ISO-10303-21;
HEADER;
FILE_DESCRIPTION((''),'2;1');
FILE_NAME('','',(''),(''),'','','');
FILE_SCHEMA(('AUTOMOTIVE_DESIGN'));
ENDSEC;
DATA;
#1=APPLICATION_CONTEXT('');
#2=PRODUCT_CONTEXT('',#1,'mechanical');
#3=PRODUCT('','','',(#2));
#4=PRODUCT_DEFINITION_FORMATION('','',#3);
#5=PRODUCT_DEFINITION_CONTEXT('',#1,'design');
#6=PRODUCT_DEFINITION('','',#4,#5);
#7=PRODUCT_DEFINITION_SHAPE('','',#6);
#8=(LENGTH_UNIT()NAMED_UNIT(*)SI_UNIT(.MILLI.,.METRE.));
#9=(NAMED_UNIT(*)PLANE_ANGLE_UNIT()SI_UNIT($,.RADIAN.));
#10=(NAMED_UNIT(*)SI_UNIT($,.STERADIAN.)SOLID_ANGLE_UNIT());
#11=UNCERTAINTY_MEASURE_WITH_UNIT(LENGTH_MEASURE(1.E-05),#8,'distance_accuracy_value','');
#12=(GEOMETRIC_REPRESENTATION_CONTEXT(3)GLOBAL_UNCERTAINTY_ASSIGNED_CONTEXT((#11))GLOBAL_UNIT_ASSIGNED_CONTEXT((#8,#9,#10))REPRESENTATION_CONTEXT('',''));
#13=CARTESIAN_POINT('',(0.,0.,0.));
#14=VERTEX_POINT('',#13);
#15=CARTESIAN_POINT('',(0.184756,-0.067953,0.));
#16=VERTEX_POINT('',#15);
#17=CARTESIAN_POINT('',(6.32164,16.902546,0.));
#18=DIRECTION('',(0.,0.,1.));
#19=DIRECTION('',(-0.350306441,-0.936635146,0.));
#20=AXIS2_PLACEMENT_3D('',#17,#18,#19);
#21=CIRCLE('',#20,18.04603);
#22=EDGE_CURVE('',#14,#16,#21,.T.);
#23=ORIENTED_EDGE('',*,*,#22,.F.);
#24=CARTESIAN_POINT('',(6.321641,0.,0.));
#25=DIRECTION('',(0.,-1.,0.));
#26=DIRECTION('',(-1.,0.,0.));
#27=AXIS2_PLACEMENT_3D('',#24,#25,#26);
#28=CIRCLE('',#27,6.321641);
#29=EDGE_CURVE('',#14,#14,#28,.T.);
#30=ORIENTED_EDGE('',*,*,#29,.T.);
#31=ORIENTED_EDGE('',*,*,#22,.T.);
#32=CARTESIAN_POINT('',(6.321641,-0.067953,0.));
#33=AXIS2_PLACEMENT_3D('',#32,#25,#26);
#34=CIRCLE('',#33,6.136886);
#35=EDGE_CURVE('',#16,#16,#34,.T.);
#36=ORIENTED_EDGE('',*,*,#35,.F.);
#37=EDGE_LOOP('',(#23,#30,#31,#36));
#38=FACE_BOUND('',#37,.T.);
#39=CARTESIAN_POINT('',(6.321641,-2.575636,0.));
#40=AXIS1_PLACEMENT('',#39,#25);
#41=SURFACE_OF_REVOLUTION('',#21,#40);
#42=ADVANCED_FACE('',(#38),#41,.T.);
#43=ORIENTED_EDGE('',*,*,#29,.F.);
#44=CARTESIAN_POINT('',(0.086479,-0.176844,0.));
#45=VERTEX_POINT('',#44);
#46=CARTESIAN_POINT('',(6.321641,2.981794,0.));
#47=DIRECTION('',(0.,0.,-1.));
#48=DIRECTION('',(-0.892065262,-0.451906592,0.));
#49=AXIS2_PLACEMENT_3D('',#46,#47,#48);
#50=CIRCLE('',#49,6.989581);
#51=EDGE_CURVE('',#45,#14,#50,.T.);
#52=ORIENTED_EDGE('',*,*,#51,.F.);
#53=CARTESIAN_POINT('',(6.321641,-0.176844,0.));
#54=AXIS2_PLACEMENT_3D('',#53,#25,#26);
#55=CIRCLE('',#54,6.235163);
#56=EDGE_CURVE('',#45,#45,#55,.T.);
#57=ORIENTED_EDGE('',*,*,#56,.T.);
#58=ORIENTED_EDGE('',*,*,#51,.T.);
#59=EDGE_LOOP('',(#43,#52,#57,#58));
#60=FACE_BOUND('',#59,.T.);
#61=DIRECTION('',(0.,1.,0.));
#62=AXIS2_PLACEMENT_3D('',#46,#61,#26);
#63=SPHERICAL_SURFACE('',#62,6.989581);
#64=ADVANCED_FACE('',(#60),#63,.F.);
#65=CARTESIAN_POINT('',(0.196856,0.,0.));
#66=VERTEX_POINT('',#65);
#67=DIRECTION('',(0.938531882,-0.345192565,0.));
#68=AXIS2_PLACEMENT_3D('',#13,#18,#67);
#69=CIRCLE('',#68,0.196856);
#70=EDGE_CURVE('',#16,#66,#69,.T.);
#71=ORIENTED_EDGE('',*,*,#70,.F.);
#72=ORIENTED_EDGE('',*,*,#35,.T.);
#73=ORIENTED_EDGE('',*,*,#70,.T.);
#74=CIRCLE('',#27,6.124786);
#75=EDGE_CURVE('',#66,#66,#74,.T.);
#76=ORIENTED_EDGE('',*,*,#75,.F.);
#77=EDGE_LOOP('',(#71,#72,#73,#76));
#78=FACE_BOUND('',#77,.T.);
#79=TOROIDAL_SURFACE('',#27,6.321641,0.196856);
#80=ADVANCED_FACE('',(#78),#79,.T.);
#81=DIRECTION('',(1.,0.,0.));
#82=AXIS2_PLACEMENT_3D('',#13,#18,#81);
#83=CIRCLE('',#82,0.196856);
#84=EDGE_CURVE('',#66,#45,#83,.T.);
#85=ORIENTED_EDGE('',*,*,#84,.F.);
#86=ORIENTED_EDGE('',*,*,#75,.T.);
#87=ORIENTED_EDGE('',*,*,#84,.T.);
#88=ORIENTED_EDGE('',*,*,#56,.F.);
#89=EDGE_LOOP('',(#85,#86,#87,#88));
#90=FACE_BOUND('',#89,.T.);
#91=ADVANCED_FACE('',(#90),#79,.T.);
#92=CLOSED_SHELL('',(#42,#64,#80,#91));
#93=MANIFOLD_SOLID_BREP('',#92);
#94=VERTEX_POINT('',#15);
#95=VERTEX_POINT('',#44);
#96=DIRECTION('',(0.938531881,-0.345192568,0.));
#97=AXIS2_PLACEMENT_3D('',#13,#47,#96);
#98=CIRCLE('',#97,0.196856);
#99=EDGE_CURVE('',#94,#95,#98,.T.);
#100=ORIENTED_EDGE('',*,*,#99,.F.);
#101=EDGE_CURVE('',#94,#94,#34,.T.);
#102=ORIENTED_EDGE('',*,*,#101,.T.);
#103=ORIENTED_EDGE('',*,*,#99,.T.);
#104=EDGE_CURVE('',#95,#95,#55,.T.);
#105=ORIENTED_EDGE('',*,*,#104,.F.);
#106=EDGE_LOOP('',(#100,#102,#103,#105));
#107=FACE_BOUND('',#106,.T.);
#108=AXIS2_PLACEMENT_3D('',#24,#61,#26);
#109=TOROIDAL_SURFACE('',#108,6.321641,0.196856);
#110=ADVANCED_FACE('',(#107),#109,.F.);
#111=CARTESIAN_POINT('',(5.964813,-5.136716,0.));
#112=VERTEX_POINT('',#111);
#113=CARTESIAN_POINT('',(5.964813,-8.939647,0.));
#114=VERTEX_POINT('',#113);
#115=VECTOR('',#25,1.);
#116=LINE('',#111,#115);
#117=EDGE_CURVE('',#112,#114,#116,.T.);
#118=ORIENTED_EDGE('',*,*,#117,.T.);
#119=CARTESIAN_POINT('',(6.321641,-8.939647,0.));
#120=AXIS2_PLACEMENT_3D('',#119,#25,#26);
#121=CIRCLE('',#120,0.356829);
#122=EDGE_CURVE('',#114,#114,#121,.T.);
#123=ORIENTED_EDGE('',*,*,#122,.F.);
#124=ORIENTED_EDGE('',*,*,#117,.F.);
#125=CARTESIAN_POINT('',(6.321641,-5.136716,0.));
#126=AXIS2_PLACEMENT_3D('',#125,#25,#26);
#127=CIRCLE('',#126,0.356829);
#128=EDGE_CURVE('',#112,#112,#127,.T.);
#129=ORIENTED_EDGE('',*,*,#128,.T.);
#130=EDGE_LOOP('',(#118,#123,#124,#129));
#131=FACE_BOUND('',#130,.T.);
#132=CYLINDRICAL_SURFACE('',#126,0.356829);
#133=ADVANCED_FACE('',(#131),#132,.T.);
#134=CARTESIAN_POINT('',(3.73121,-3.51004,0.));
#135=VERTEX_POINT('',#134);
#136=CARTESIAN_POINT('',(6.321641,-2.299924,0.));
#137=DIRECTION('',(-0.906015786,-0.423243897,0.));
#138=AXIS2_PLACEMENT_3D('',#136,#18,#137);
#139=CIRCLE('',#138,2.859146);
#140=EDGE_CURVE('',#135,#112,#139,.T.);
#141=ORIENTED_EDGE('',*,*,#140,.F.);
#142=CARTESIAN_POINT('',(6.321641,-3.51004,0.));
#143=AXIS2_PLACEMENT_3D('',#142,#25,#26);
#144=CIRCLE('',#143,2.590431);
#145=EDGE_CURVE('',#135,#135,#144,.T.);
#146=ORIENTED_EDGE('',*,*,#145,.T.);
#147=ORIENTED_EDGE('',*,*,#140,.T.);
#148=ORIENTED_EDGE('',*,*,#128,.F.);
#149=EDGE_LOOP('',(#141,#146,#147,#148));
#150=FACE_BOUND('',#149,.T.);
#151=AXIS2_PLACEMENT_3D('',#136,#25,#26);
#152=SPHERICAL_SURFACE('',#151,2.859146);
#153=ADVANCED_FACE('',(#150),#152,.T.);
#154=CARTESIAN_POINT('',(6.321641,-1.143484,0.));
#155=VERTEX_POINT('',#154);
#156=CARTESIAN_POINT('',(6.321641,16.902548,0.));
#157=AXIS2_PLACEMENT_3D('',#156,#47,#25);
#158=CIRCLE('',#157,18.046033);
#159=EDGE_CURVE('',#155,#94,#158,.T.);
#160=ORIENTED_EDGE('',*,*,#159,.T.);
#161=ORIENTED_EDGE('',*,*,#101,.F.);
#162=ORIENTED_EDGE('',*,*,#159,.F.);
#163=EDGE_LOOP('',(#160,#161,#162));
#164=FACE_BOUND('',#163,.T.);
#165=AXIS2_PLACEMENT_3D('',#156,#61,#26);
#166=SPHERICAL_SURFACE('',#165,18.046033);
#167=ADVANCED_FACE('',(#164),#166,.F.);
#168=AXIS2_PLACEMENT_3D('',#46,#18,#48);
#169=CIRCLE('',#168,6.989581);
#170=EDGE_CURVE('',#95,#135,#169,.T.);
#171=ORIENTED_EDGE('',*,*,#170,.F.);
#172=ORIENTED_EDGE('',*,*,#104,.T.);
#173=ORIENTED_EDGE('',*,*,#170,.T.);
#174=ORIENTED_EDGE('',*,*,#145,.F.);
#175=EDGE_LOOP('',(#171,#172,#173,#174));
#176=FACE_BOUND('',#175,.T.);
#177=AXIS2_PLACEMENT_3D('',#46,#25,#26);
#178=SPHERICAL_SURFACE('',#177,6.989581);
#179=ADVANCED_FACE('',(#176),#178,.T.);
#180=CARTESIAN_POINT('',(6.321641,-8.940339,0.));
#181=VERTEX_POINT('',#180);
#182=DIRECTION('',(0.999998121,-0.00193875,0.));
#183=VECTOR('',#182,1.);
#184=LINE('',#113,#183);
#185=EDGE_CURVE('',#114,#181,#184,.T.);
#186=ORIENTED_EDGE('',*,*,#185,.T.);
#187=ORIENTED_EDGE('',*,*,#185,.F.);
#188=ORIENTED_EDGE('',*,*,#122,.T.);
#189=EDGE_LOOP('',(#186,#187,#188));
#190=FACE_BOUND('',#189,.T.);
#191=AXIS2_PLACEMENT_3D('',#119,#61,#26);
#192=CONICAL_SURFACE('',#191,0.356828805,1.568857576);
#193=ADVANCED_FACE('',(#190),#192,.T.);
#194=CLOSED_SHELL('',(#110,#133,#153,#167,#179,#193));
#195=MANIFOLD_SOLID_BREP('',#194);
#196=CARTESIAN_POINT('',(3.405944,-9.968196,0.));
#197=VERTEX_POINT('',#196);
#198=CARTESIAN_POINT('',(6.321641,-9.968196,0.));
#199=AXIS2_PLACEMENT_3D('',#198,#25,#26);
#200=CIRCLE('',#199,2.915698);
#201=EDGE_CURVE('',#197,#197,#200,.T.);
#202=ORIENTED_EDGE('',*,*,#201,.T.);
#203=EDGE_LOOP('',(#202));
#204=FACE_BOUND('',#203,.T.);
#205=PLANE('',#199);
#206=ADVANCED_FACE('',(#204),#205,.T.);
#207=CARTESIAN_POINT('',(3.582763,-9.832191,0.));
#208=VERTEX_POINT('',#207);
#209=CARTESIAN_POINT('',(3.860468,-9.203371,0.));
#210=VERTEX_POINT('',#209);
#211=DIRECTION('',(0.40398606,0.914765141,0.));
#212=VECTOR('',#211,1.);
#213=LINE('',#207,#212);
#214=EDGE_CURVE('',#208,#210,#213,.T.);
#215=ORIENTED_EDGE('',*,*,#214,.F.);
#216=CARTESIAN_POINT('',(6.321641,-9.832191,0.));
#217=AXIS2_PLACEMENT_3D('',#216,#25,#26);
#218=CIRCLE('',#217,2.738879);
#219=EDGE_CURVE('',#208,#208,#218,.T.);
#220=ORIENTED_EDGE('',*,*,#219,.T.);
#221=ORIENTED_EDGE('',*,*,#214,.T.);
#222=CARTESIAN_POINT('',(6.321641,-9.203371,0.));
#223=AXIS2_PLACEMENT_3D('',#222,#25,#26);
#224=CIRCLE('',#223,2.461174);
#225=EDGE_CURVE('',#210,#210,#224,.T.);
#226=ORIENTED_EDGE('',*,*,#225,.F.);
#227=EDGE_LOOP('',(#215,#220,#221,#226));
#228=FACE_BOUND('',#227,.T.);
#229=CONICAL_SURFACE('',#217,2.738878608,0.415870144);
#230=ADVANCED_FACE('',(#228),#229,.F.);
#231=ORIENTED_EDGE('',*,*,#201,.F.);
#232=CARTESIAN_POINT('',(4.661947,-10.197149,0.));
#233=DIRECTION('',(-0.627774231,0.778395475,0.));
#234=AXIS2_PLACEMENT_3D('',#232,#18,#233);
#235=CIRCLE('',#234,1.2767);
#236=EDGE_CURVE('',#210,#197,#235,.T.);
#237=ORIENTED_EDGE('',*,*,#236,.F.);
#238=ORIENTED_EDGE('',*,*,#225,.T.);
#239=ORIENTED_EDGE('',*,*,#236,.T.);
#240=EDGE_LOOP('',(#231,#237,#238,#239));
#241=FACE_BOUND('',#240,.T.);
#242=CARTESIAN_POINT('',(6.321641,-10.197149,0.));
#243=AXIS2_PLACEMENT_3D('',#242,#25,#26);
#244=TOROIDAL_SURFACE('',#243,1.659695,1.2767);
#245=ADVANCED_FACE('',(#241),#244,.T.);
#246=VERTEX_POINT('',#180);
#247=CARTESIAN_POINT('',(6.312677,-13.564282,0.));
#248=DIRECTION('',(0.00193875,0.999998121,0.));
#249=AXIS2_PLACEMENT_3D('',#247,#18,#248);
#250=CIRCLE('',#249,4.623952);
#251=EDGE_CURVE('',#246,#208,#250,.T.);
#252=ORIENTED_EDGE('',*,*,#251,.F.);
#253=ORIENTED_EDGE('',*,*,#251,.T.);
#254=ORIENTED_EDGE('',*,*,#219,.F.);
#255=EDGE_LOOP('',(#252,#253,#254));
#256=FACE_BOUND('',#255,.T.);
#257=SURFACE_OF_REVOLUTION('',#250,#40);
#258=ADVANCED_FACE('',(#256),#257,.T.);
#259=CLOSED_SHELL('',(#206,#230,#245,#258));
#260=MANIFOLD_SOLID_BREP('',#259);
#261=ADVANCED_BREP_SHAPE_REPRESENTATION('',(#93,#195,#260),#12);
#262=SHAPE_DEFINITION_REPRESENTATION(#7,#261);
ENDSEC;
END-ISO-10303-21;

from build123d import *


with BuildPart() as f1:
    # F0 (on Top) → F1 (revolve)
    with BuildSketch(Plane.XY):
        with BuildLine():
            ThreePointArc((6.3216414859, -1.1434842183), (3.2064314046, -0.8725678996), (0.1847555931, -0.0679532135))
            ThreePointArc((0.1847555931, -0.0679532135), (0.1461379543, -0.1318937705), (0.0864787498, -0.1768437))
            ThreePointArc((0.0864787498, -0.1768437), (1.6046163355, -2.1761047411), (3.731210433, -3.510040266))
            ThreePointArc((3.731210433, -3.510040266), (5.00273237, -3.8822225922), (6.3216414859, -4.0077871738))
            Line((6.3216414859, -4.0077871738), (6.3216414859, -1.1434842183))
        make_face()
        with BuildLine():
            ThreePointArc((6.3216414859, -4.0077871738), (5.00273237, -3.8822225922), (3.731210433, -3.510040266))
            ThreePointArc((3.731210433, -3.510040266), (4.6384588947, -4.6111166634), (5.9648126806, -5.1367159773))
            ThreePointArc((5.9648126806, -5.1367159773), (6.1428773283, -5.1534759806), (6.3216414859, -5.1590699448))
            Line((6.3216414859, -5.1590699448), (6.3216414859, -4.0077871738))
        make_face()
        with BuildLine():
            ThreePointArc((6.3216414859, -5.1590699448), (6.1428773283, -5.1534759806), (5.9648126806, -5.1367159773))
            Line((5.9648126806, -5.1367159773), (5.9648126806, -8.9396471315))
            Line((5.9648126806, -8.9396471315), (6.3216414859, -8.9403389346))
            Line((6.3216414859, -8.9403389346), (6.3216414859, -5.1590699448))
        make_face()
    revolve(axis=Axis((6.3216414859, -2.5756356961, 0), (0, -1, 0)))


with BuildPart() as f1b:
    # F0 (on Top) → F1, piece 2 (revolve)
    with BuildSketch(Plane.XY):
        with BuildLine():
            ThreePointArc((0.0864787498, -0.1768437), (0.0426167614, -0.0887263157), (0, 0))
            ThreePointArc((0, 0), (0.092285137, -0.0342285355), (0.1847555931, -0.0679532135))
            ThreePointArc((0.1847555931, -0.0679532135), (0.1938072596, -0.0345110782), (0.1968559585, 0))
            ThreePointArc((0.1968559585, 0), (-0.1669971939, 0.1042315001), (0.0864787498, -0.1768437))
        make_face()
    revolve(axis=Axis((6.3216414859, -2.5756356961, 0), (0, -1, 0)))


with BuildPart() as f1c:
    # F0 (on Top) → F1, piece 3 (revolve)
    with BuildSketch(Plane.XY):
        with BuildLine():
            Line((6.3216414859, -9.9681960419), (6.3216414859, -8.9403389346))
            ThreePointArc((6.3216414859, -8.9403389346), (4.8809849989, -9.1675572599), (3.5827628778, -9.8321914491))
            ThreePointArc((3.5827628778, -9.8321914491), (3.4935331463, -9.899127301), (3.4059439786, -9.9681960419))
            Line((3.4059439786, -9.9681960419), (6.3216414859, -9.9681960419))
        make_face()
        with BuildLine():
            ThreePointArc((3.4059439786, -9.9681960419), (3.4935331463, -9.899127301), (3.5827628778, -9.8321914491))
            Line((3.5827628778, -9.8321914491), (3.8604675792, -9.2033712859))
            ThreePointArc((3.8604675792, -9.2033712859), (3.5644280946, -9.5449101429), (3.4059439786, -9.9681960419))
        make_face()
    revolve(axis=Axis((6.3216414859, -2.5756356961, 0), (0, -1, 0)))


solid = Compound([f1.part, f1b.part, f1c.part])
